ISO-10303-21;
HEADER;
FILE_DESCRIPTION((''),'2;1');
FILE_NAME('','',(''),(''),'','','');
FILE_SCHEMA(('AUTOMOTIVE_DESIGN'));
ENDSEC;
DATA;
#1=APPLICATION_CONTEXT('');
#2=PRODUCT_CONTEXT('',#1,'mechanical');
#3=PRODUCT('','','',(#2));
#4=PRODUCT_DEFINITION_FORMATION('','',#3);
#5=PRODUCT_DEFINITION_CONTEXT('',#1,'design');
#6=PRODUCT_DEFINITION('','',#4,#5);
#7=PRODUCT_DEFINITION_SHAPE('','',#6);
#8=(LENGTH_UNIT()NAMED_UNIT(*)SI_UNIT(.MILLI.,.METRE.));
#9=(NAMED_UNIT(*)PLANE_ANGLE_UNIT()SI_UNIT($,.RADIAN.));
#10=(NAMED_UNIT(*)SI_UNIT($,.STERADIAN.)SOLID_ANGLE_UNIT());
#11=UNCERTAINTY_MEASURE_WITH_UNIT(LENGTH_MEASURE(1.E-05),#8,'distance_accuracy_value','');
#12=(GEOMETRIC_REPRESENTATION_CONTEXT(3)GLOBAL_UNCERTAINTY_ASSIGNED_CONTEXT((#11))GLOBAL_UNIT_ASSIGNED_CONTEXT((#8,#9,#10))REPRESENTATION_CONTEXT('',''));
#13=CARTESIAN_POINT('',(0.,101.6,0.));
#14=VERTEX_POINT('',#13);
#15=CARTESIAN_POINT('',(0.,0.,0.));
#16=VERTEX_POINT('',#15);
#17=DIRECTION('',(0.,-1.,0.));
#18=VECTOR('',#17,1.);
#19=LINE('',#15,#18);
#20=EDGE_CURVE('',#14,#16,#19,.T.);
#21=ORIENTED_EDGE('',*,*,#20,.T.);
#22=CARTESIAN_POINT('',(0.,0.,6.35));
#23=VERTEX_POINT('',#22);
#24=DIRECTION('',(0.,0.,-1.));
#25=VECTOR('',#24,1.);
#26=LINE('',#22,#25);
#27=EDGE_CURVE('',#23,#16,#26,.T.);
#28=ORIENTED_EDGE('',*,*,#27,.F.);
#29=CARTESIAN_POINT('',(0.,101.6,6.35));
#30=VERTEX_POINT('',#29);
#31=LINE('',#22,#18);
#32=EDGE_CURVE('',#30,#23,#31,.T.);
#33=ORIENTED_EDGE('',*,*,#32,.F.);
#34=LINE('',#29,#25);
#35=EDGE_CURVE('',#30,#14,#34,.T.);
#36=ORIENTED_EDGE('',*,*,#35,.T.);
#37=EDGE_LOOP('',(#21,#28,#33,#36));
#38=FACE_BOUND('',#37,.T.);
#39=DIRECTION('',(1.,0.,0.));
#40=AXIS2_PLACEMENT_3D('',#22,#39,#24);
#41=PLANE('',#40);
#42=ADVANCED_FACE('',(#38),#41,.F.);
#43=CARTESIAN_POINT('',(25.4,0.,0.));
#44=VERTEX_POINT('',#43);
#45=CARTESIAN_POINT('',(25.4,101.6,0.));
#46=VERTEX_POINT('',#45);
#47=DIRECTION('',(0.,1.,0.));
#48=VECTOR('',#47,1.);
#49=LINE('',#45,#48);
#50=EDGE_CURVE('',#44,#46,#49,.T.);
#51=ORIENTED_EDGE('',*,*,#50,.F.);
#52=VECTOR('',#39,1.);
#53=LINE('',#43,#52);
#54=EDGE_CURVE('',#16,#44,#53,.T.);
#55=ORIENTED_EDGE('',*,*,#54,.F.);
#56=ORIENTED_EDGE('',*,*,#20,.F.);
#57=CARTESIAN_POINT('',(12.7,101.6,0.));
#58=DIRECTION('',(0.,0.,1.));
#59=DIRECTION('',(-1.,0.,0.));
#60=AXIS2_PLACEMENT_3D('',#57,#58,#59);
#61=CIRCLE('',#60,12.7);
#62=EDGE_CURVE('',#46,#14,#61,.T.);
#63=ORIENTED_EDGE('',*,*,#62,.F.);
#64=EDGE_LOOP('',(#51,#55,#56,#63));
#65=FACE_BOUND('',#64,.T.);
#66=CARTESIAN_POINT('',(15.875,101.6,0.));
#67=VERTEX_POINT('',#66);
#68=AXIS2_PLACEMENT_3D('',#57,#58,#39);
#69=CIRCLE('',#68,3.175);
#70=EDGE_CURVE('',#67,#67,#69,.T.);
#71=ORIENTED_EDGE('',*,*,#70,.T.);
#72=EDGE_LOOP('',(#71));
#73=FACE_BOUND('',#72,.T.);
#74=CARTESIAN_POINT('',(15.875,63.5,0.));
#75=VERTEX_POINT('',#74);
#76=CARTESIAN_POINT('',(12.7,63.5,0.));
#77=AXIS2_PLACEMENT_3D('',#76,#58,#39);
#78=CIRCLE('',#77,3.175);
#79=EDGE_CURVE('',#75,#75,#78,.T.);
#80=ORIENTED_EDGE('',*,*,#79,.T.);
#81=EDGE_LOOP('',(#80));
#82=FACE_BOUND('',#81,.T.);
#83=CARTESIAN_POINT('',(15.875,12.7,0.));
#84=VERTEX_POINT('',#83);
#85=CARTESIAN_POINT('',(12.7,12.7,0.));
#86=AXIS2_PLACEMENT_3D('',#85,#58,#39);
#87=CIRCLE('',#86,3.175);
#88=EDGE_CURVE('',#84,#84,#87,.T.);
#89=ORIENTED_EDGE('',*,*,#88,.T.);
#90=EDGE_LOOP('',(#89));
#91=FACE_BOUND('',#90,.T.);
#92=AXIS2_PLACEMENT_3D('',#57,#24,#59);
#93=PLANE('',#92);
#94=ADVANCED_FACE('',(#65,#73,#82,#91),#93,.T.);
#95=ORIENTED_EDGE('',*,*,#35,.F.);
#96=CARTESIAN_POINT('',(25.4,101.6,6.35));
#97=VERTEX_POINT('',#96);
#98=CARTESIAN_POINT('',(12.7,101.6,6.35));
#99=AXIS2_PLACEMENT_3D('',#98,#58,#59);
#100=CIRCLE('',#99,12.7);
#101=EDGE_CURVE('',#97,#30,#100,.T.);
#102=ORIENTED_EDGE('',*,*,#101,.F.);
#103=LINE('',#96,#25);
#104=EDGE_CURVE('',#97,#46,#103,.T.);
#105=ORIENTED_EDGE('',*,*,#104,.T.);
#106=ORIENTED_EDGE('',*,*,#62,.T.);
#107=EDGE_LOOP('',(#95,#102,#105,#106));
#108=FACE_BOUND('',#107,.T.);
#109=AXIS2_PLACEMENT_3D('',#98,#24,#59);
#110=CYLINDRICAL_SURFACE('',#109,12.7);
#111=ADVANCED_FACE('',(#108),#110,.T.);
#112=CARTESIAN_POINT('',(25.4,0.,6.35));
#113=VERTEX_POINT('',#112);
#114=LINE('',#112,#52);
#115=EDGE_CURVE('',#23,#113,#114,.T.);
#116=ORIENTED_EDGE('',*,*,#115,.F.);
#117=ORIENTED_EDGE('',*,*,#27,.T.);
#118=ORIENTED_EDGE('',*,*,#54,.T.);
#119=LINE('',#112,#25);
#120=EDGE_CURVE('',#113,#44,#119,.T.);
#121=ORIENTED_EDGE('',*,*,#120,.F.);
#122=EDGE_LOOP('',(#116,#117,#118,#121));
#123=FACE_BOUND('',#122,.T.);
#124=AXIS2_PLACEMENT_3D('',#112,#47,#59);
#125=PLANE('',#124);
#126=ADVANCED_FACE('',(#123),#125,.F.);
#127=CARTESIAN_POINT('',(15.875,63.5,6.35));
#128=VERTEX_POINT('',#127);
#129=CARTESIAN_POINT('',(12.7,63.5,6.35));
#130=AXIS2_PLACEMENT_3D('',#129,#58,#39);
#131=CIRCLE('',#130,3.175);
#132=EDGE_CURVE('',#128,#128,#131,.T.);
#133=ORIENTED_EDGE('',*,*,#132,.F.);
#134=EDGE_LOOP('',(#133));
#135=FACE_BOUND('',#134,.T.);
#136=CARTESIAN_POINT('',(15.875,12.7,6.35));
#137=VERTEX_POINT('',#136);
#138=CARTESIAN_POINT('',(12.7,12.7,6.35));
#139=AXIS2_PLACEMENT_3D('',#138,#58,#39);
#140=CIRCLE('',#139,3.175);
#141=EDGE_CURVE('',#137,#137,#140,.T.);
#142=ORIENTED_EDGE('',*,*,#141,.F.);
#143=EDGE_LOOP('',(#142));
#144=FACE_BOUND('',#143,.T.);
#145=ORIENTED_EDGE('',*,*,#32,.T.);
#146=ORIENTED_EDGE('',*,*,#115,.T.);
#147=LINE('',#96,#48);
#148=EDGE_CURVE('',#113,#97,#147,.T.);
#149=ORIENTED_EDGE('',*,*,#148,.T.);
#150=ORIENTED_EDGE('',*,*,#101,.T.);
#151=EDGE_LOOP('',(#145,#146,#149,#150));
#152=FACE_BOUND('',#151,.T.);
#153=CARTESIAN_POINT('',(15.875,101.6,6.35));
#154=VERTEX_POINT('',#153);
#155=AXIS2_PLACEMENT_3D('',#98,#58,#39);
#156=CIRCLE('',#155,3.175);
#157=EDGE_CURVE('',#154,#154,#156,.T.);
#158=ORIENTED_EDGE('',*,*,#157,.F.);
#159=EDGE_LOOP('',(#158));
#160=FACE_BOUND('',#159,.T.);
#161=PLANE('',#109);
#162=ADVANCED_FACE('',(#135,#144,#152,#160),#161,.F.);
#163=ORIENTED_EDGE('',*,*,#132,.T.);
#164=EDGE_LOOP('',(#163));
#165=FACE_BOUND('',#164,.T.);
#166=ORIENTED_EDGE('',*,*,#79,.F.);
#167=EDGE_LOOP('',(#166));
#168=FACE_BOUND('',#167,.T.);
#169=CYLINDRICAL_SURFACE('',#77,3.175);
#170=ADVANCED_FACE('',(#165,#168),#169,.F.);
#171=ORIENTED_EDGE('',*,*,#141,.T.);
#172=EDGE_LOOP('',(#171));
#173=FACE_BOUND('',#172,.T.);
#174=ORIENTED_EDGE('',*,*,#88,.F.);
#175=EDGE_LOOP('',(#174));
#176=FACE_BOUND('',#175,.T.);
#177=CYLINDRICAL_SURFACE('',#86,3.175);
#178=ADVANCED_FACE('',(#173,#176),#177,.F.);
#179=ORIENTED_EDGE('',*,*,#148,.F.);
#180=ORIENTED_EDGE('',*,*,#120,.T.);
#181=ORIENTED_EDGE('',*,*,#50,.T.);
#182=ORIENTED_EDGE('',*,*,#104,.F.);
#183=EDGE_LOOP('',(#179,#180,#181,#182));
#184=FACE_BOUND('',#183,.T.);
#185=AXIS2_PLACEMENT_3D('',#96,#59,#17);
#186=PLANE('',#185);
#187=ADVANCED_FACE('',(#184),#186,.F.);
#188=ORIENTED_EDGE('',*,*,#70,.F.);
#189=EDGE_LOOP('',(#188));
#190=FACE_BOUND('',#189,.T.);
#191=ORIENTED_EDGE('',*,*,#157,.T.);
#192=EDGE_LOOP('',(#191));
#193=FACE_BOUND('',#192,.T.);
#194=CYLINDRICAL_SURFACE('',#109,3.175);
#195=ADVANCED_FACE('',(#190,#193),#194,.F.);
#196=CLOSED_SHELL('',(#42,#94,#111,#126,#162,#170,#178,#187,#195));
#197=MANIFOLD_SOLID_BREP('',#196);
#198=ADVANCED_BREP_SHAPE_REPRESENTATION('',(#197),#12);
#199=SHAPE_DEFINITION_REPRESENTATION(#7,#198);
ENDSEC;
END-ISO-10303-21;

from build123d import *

# Parameters (mm, degrees)
SKETCH1_R           = 3.175
BOSS_EXTRUDE1_DEPTH = 6.35
SKETCH2_R           = 3.175
CUT_EXTRUDE1_DEPTH  = 118.260276735


with BuildPart() as part:
    # Sketch1 → Boss-Extrude1 (new body)
    with BuildSketch(Plane.XY):
        with BuildLine():
            Line((0, 0), (0, 101.6))
            ThreePointArc((0, 101.6), (12.7, 114.3), (25.4, 101.6))
            Line((25.4, 101.6), (25.4, 0))
            Line((25.4, 0), (0, 0))
        make_face()
        with Locations((12.7, 101.6)):
            Circle(SKETCH1_R, mode=Mode.SUBTRACT)
    extrude(amount=BOSS_EXTRUDE1_DEPTH)

    # Sketch2 → Cut-Extrude1 (cut, through all)
    with BuildSketch(Plane.XY.offset(6.35)):
        with Locations((12.7, 63.5)):
            Circle(SKETCH2_R)
        with Locations((12.7, 12.7)):
            Circle(SKETCH2_R)
    extrude(amount=-CUT_EXTRUDE1_DEPTH, mode=Mode.SUBTRACT)


solid = part.part
